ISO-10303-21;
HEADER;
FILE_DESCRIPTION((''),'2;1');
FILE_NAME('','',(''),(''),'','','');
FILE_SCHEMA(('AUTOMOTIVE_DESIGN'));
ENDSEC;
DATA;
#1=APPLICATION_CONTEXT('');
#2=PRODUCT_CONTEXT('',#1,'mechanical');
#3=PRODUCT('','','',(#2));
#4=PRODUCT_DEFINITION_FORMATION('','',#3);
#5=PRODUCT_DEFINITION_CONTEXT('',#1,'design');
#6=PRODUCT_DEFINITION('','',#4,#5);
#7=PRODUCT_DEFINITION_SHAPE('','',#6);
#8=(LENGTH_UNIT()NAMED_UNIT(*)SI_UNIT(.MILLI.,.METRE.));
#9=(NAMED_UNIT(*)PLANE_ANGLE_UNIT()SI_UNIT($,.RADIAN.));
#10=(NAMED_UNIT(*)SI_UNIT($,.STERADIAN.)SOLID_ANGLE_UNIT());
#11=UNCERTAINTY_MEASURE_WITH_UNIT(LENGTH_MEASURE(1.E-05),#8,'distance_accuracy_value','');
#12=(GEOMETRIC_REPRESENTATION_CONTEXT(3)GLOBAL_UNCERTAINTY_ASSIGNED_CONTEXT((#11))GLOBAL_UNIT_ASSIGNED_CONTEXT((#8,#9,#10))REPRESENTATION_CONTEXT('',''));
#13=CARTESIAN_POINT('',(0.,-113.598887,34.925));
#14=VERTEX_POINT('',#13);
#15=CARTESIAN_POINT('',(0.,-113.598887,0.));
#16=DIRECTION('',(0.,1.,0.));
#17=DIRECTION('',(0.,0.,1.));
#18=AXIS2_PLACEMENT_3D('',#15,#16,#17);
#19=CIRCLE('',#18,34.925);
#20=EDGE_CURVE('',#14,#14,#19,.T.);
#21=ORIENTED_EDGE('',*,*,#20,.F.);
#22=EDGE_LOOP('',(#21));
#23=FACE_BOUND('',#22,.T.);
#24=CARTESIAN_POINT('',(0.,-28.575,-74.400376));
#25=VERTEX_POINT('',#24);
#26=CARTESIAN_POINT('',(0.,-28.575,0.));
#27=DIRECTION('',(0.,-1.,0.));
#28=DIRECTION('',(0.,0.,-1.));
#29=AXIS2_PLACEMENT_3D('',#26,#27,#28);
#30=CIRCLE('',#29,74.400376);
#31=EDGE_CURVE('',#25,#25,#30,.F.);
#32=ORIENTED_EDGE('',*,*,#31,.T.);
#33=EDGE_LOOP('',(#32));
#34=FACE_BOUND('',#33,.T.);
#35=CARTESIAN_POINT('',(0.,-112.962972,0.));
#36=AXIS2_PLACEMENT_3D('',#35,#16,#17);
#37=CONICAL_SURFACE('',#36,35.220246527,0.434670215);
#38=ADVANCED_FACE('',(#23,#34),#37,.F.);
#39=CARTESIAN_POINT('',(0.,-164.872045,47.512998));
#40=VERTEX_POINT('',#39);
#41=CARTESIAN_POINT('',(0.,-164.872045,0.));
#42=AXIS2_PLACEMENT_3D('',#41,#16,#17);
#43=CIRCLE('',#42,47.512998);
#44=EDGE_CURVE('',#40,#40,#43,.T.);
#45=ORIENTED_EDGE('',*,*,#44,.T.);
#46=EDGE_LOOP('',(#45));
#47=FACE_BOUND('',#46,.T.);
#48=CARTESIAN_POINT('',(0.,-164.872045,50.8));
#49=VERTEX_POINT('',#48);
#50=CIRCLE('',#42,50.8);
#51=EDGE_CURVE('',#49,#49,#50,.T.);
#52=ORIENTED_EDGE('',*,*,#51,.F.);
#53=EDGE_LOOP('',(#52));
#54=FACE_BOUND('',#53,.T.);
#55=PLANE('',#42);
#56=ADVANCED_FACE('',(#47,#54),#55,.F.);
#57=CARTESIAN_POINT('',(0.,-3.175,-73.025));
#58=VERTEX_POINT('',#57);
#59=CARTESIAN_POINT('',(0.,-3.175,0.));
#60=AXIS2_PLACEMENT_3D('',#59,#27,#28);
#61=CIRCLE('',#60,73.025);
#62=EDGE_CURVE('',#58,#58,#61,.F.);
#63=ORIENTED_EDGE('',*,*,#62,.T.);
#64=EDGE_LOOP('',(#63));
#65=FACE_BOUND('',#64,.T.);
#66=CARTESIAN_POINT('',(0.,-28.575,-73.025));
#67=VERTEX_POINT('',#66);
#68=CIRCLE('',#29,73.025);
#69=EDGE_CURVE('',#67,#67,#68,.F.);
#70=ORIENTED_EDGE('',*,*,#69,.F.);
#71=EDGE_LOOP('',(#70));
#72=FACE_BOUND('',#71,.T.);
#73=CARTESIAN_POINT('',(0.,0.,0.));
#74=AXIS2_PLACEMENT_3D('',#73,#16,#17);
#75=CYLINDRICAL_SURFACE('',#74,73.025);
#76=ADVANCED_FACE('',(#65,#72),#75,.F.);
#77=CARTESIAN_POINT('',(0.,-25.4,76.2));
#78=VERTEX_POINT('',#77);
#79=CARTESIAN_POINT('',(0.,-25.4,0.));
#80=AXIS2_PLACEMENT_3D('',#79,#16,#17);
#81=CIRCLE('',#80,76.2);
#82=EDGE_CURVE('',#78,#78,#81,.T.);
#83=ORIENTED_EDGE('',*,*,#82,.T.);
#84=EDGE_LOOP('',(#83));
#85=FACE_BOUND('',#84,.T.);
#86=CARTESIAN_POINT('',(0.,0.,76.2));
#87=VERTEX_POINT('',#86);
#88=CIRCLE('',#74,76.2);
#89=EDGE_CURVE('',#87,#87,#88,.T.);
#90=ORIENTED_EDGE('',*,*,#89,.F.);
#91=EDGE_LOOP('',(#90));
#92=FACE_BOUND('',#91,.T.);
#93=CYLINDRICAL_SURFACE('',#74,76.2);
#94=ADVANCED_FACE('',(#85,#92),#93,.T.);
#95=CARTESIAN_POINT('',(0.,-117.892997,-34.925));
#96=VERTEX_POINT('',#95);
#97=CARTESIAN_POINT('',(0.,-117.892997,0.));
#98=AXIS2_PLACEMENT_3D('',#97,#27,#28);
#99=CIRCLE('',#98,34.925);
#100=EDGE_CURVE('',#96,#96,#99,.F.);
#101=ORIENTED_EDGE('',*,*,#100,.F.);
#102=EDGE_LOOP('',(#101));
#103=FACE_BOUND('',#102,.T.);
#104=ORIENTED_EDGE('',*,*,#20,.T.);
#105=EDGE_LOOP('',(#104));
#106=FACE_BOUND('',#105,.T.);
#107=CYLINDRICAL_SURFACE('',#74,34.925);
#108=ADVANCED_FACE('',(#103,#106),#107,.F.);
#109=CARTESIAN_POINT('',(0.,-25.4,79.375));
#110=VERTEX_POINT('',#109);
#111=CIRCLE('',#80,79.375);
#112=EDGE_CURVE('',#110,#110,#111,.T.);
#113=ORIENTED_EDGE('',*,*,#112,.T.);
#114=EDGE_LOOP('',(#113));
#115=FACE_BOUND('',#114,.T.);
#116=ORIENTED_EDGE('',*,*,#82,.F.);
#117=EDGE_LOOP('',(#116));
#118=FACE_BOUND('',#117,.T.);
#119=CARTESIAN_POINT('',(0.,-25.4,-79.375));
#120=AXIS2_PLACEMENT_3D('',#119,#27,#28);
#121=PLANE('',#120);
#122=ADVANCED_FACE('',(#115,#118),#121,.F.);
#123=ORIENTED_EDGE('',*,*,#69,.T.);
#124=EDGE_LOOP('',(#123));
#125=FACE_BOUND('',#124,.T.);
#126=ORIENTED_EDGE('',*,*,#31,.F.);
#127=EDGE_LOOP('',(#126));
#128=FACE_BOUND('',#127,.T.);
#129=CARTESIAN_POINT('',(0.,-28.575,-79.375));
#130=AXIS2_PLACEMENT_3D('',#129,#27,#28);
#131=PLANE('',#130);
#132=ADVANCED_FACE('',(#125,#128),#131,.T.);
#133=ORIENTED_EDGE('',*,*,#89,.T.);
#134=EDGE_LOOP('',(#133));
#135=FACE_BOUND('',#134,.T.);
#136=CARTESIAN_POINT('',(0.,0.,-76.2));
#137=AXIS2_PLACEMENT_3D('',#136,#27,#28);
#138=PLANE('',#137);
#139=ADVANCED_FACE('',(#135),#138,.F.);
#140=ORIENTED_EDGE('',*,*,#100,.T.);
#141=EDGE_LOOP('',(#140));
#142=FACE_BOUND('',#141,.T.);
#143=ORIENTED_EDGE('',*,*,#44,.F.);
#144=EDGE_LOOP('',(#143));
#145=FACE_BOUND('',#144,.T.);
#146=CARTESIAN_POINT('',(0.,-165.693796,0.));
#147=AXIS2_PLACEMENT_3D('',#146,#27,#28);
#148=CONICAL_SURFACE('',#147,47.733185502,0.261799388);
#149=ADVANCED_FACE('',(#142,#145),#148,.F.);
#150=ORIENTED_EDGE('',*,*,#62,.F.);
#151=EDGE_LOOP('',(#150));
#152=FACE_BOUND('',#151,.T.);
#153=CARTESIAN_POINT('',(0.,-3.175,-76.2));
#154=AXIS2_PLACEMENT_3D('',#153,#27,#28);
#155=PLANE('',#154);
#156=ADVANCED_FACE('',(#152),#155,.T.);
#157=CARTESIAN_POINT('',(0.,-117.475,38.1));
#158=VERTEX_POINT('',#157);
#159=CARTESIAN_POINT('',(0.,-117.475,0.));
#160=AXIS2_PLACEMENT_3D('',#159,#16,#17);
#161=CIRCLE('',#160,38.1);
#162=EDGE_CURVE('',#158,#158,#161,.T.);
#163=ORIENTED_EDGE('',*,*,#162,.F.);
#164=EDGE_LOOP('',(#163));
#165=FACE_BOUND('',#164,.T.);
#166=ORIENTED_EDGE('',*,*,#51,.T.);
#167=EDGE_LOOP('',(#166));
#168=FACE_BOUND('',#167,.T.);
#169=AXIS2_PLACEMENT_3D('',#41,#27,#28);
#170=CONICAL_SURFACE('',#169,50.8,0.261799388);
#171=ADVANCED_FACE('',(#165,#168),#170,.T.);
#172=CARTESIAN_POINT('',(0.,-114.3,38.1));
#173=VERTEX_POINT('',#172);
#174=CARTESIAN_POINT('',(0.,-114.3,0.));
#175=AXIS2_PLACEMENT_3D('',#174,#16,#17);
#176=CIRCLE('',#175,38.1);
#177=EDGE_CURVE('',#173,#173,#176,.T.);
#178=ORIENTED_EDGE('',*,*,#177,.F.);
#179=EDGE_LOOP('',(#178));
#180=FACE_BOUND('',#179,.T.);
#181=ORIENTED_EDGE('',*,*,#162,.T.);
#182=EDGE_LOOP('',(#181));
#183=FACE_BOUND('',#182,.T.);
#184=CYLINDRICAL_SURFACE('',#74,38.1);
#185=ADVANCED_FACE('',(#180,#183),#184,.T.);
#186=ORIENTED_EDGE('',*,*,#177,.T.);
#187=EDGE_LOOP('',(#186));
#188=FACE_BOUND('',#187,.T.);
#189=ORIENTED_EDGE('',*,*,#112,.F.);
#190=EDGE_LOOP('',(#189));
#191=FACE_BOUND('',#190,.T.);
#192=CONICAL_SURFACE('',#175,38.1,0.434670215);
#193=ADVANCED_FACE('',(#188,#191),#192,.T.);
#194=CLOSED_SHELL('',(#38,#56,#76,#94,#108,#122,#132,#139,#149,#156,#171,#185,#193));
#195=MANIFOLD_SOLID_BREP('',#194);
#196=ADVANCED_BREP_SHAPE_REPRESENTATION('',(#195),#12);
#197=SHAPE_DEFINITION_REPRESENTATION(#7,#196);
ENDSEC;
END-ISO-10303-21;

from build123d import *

# Parameters (mm, degrees)
SHELL1_T = -3.175


with BuildPart() as part:
    # Sketch1 → Revolve1 (revolve)
    with BuildSketch(Plane(origin=(0, 0, 0), x_dir=(0, 0, -1), z_dir=(1, 0, 0)), mode=Mode.PRIVATE) as revolve1_sk:
        Polygon((0, 0), (0, -164.872045256), (50.8, -164.872045256), (38.1, -117.475), (38.1, -114.3), (79.375, -25.4), (76.2, -25.4), (76.2, 0), align=None)
    revolve(revolve1_sk.sketch.rotate(Axis((0, 0, 0), (0, -1, 0)), 180), axis=Axis((0, 0, 0), (0, -1, 0)))

    # Shell1
    shell1_openings = [part.faces().sort_by_distance(p)[0] for p in [
        (0, -164.872045256, 0),
    ]]
    offset(amount=SHELL1_T, openings=shell1_openings, kind=Kind.INTERSECTION)


solid = part.part
